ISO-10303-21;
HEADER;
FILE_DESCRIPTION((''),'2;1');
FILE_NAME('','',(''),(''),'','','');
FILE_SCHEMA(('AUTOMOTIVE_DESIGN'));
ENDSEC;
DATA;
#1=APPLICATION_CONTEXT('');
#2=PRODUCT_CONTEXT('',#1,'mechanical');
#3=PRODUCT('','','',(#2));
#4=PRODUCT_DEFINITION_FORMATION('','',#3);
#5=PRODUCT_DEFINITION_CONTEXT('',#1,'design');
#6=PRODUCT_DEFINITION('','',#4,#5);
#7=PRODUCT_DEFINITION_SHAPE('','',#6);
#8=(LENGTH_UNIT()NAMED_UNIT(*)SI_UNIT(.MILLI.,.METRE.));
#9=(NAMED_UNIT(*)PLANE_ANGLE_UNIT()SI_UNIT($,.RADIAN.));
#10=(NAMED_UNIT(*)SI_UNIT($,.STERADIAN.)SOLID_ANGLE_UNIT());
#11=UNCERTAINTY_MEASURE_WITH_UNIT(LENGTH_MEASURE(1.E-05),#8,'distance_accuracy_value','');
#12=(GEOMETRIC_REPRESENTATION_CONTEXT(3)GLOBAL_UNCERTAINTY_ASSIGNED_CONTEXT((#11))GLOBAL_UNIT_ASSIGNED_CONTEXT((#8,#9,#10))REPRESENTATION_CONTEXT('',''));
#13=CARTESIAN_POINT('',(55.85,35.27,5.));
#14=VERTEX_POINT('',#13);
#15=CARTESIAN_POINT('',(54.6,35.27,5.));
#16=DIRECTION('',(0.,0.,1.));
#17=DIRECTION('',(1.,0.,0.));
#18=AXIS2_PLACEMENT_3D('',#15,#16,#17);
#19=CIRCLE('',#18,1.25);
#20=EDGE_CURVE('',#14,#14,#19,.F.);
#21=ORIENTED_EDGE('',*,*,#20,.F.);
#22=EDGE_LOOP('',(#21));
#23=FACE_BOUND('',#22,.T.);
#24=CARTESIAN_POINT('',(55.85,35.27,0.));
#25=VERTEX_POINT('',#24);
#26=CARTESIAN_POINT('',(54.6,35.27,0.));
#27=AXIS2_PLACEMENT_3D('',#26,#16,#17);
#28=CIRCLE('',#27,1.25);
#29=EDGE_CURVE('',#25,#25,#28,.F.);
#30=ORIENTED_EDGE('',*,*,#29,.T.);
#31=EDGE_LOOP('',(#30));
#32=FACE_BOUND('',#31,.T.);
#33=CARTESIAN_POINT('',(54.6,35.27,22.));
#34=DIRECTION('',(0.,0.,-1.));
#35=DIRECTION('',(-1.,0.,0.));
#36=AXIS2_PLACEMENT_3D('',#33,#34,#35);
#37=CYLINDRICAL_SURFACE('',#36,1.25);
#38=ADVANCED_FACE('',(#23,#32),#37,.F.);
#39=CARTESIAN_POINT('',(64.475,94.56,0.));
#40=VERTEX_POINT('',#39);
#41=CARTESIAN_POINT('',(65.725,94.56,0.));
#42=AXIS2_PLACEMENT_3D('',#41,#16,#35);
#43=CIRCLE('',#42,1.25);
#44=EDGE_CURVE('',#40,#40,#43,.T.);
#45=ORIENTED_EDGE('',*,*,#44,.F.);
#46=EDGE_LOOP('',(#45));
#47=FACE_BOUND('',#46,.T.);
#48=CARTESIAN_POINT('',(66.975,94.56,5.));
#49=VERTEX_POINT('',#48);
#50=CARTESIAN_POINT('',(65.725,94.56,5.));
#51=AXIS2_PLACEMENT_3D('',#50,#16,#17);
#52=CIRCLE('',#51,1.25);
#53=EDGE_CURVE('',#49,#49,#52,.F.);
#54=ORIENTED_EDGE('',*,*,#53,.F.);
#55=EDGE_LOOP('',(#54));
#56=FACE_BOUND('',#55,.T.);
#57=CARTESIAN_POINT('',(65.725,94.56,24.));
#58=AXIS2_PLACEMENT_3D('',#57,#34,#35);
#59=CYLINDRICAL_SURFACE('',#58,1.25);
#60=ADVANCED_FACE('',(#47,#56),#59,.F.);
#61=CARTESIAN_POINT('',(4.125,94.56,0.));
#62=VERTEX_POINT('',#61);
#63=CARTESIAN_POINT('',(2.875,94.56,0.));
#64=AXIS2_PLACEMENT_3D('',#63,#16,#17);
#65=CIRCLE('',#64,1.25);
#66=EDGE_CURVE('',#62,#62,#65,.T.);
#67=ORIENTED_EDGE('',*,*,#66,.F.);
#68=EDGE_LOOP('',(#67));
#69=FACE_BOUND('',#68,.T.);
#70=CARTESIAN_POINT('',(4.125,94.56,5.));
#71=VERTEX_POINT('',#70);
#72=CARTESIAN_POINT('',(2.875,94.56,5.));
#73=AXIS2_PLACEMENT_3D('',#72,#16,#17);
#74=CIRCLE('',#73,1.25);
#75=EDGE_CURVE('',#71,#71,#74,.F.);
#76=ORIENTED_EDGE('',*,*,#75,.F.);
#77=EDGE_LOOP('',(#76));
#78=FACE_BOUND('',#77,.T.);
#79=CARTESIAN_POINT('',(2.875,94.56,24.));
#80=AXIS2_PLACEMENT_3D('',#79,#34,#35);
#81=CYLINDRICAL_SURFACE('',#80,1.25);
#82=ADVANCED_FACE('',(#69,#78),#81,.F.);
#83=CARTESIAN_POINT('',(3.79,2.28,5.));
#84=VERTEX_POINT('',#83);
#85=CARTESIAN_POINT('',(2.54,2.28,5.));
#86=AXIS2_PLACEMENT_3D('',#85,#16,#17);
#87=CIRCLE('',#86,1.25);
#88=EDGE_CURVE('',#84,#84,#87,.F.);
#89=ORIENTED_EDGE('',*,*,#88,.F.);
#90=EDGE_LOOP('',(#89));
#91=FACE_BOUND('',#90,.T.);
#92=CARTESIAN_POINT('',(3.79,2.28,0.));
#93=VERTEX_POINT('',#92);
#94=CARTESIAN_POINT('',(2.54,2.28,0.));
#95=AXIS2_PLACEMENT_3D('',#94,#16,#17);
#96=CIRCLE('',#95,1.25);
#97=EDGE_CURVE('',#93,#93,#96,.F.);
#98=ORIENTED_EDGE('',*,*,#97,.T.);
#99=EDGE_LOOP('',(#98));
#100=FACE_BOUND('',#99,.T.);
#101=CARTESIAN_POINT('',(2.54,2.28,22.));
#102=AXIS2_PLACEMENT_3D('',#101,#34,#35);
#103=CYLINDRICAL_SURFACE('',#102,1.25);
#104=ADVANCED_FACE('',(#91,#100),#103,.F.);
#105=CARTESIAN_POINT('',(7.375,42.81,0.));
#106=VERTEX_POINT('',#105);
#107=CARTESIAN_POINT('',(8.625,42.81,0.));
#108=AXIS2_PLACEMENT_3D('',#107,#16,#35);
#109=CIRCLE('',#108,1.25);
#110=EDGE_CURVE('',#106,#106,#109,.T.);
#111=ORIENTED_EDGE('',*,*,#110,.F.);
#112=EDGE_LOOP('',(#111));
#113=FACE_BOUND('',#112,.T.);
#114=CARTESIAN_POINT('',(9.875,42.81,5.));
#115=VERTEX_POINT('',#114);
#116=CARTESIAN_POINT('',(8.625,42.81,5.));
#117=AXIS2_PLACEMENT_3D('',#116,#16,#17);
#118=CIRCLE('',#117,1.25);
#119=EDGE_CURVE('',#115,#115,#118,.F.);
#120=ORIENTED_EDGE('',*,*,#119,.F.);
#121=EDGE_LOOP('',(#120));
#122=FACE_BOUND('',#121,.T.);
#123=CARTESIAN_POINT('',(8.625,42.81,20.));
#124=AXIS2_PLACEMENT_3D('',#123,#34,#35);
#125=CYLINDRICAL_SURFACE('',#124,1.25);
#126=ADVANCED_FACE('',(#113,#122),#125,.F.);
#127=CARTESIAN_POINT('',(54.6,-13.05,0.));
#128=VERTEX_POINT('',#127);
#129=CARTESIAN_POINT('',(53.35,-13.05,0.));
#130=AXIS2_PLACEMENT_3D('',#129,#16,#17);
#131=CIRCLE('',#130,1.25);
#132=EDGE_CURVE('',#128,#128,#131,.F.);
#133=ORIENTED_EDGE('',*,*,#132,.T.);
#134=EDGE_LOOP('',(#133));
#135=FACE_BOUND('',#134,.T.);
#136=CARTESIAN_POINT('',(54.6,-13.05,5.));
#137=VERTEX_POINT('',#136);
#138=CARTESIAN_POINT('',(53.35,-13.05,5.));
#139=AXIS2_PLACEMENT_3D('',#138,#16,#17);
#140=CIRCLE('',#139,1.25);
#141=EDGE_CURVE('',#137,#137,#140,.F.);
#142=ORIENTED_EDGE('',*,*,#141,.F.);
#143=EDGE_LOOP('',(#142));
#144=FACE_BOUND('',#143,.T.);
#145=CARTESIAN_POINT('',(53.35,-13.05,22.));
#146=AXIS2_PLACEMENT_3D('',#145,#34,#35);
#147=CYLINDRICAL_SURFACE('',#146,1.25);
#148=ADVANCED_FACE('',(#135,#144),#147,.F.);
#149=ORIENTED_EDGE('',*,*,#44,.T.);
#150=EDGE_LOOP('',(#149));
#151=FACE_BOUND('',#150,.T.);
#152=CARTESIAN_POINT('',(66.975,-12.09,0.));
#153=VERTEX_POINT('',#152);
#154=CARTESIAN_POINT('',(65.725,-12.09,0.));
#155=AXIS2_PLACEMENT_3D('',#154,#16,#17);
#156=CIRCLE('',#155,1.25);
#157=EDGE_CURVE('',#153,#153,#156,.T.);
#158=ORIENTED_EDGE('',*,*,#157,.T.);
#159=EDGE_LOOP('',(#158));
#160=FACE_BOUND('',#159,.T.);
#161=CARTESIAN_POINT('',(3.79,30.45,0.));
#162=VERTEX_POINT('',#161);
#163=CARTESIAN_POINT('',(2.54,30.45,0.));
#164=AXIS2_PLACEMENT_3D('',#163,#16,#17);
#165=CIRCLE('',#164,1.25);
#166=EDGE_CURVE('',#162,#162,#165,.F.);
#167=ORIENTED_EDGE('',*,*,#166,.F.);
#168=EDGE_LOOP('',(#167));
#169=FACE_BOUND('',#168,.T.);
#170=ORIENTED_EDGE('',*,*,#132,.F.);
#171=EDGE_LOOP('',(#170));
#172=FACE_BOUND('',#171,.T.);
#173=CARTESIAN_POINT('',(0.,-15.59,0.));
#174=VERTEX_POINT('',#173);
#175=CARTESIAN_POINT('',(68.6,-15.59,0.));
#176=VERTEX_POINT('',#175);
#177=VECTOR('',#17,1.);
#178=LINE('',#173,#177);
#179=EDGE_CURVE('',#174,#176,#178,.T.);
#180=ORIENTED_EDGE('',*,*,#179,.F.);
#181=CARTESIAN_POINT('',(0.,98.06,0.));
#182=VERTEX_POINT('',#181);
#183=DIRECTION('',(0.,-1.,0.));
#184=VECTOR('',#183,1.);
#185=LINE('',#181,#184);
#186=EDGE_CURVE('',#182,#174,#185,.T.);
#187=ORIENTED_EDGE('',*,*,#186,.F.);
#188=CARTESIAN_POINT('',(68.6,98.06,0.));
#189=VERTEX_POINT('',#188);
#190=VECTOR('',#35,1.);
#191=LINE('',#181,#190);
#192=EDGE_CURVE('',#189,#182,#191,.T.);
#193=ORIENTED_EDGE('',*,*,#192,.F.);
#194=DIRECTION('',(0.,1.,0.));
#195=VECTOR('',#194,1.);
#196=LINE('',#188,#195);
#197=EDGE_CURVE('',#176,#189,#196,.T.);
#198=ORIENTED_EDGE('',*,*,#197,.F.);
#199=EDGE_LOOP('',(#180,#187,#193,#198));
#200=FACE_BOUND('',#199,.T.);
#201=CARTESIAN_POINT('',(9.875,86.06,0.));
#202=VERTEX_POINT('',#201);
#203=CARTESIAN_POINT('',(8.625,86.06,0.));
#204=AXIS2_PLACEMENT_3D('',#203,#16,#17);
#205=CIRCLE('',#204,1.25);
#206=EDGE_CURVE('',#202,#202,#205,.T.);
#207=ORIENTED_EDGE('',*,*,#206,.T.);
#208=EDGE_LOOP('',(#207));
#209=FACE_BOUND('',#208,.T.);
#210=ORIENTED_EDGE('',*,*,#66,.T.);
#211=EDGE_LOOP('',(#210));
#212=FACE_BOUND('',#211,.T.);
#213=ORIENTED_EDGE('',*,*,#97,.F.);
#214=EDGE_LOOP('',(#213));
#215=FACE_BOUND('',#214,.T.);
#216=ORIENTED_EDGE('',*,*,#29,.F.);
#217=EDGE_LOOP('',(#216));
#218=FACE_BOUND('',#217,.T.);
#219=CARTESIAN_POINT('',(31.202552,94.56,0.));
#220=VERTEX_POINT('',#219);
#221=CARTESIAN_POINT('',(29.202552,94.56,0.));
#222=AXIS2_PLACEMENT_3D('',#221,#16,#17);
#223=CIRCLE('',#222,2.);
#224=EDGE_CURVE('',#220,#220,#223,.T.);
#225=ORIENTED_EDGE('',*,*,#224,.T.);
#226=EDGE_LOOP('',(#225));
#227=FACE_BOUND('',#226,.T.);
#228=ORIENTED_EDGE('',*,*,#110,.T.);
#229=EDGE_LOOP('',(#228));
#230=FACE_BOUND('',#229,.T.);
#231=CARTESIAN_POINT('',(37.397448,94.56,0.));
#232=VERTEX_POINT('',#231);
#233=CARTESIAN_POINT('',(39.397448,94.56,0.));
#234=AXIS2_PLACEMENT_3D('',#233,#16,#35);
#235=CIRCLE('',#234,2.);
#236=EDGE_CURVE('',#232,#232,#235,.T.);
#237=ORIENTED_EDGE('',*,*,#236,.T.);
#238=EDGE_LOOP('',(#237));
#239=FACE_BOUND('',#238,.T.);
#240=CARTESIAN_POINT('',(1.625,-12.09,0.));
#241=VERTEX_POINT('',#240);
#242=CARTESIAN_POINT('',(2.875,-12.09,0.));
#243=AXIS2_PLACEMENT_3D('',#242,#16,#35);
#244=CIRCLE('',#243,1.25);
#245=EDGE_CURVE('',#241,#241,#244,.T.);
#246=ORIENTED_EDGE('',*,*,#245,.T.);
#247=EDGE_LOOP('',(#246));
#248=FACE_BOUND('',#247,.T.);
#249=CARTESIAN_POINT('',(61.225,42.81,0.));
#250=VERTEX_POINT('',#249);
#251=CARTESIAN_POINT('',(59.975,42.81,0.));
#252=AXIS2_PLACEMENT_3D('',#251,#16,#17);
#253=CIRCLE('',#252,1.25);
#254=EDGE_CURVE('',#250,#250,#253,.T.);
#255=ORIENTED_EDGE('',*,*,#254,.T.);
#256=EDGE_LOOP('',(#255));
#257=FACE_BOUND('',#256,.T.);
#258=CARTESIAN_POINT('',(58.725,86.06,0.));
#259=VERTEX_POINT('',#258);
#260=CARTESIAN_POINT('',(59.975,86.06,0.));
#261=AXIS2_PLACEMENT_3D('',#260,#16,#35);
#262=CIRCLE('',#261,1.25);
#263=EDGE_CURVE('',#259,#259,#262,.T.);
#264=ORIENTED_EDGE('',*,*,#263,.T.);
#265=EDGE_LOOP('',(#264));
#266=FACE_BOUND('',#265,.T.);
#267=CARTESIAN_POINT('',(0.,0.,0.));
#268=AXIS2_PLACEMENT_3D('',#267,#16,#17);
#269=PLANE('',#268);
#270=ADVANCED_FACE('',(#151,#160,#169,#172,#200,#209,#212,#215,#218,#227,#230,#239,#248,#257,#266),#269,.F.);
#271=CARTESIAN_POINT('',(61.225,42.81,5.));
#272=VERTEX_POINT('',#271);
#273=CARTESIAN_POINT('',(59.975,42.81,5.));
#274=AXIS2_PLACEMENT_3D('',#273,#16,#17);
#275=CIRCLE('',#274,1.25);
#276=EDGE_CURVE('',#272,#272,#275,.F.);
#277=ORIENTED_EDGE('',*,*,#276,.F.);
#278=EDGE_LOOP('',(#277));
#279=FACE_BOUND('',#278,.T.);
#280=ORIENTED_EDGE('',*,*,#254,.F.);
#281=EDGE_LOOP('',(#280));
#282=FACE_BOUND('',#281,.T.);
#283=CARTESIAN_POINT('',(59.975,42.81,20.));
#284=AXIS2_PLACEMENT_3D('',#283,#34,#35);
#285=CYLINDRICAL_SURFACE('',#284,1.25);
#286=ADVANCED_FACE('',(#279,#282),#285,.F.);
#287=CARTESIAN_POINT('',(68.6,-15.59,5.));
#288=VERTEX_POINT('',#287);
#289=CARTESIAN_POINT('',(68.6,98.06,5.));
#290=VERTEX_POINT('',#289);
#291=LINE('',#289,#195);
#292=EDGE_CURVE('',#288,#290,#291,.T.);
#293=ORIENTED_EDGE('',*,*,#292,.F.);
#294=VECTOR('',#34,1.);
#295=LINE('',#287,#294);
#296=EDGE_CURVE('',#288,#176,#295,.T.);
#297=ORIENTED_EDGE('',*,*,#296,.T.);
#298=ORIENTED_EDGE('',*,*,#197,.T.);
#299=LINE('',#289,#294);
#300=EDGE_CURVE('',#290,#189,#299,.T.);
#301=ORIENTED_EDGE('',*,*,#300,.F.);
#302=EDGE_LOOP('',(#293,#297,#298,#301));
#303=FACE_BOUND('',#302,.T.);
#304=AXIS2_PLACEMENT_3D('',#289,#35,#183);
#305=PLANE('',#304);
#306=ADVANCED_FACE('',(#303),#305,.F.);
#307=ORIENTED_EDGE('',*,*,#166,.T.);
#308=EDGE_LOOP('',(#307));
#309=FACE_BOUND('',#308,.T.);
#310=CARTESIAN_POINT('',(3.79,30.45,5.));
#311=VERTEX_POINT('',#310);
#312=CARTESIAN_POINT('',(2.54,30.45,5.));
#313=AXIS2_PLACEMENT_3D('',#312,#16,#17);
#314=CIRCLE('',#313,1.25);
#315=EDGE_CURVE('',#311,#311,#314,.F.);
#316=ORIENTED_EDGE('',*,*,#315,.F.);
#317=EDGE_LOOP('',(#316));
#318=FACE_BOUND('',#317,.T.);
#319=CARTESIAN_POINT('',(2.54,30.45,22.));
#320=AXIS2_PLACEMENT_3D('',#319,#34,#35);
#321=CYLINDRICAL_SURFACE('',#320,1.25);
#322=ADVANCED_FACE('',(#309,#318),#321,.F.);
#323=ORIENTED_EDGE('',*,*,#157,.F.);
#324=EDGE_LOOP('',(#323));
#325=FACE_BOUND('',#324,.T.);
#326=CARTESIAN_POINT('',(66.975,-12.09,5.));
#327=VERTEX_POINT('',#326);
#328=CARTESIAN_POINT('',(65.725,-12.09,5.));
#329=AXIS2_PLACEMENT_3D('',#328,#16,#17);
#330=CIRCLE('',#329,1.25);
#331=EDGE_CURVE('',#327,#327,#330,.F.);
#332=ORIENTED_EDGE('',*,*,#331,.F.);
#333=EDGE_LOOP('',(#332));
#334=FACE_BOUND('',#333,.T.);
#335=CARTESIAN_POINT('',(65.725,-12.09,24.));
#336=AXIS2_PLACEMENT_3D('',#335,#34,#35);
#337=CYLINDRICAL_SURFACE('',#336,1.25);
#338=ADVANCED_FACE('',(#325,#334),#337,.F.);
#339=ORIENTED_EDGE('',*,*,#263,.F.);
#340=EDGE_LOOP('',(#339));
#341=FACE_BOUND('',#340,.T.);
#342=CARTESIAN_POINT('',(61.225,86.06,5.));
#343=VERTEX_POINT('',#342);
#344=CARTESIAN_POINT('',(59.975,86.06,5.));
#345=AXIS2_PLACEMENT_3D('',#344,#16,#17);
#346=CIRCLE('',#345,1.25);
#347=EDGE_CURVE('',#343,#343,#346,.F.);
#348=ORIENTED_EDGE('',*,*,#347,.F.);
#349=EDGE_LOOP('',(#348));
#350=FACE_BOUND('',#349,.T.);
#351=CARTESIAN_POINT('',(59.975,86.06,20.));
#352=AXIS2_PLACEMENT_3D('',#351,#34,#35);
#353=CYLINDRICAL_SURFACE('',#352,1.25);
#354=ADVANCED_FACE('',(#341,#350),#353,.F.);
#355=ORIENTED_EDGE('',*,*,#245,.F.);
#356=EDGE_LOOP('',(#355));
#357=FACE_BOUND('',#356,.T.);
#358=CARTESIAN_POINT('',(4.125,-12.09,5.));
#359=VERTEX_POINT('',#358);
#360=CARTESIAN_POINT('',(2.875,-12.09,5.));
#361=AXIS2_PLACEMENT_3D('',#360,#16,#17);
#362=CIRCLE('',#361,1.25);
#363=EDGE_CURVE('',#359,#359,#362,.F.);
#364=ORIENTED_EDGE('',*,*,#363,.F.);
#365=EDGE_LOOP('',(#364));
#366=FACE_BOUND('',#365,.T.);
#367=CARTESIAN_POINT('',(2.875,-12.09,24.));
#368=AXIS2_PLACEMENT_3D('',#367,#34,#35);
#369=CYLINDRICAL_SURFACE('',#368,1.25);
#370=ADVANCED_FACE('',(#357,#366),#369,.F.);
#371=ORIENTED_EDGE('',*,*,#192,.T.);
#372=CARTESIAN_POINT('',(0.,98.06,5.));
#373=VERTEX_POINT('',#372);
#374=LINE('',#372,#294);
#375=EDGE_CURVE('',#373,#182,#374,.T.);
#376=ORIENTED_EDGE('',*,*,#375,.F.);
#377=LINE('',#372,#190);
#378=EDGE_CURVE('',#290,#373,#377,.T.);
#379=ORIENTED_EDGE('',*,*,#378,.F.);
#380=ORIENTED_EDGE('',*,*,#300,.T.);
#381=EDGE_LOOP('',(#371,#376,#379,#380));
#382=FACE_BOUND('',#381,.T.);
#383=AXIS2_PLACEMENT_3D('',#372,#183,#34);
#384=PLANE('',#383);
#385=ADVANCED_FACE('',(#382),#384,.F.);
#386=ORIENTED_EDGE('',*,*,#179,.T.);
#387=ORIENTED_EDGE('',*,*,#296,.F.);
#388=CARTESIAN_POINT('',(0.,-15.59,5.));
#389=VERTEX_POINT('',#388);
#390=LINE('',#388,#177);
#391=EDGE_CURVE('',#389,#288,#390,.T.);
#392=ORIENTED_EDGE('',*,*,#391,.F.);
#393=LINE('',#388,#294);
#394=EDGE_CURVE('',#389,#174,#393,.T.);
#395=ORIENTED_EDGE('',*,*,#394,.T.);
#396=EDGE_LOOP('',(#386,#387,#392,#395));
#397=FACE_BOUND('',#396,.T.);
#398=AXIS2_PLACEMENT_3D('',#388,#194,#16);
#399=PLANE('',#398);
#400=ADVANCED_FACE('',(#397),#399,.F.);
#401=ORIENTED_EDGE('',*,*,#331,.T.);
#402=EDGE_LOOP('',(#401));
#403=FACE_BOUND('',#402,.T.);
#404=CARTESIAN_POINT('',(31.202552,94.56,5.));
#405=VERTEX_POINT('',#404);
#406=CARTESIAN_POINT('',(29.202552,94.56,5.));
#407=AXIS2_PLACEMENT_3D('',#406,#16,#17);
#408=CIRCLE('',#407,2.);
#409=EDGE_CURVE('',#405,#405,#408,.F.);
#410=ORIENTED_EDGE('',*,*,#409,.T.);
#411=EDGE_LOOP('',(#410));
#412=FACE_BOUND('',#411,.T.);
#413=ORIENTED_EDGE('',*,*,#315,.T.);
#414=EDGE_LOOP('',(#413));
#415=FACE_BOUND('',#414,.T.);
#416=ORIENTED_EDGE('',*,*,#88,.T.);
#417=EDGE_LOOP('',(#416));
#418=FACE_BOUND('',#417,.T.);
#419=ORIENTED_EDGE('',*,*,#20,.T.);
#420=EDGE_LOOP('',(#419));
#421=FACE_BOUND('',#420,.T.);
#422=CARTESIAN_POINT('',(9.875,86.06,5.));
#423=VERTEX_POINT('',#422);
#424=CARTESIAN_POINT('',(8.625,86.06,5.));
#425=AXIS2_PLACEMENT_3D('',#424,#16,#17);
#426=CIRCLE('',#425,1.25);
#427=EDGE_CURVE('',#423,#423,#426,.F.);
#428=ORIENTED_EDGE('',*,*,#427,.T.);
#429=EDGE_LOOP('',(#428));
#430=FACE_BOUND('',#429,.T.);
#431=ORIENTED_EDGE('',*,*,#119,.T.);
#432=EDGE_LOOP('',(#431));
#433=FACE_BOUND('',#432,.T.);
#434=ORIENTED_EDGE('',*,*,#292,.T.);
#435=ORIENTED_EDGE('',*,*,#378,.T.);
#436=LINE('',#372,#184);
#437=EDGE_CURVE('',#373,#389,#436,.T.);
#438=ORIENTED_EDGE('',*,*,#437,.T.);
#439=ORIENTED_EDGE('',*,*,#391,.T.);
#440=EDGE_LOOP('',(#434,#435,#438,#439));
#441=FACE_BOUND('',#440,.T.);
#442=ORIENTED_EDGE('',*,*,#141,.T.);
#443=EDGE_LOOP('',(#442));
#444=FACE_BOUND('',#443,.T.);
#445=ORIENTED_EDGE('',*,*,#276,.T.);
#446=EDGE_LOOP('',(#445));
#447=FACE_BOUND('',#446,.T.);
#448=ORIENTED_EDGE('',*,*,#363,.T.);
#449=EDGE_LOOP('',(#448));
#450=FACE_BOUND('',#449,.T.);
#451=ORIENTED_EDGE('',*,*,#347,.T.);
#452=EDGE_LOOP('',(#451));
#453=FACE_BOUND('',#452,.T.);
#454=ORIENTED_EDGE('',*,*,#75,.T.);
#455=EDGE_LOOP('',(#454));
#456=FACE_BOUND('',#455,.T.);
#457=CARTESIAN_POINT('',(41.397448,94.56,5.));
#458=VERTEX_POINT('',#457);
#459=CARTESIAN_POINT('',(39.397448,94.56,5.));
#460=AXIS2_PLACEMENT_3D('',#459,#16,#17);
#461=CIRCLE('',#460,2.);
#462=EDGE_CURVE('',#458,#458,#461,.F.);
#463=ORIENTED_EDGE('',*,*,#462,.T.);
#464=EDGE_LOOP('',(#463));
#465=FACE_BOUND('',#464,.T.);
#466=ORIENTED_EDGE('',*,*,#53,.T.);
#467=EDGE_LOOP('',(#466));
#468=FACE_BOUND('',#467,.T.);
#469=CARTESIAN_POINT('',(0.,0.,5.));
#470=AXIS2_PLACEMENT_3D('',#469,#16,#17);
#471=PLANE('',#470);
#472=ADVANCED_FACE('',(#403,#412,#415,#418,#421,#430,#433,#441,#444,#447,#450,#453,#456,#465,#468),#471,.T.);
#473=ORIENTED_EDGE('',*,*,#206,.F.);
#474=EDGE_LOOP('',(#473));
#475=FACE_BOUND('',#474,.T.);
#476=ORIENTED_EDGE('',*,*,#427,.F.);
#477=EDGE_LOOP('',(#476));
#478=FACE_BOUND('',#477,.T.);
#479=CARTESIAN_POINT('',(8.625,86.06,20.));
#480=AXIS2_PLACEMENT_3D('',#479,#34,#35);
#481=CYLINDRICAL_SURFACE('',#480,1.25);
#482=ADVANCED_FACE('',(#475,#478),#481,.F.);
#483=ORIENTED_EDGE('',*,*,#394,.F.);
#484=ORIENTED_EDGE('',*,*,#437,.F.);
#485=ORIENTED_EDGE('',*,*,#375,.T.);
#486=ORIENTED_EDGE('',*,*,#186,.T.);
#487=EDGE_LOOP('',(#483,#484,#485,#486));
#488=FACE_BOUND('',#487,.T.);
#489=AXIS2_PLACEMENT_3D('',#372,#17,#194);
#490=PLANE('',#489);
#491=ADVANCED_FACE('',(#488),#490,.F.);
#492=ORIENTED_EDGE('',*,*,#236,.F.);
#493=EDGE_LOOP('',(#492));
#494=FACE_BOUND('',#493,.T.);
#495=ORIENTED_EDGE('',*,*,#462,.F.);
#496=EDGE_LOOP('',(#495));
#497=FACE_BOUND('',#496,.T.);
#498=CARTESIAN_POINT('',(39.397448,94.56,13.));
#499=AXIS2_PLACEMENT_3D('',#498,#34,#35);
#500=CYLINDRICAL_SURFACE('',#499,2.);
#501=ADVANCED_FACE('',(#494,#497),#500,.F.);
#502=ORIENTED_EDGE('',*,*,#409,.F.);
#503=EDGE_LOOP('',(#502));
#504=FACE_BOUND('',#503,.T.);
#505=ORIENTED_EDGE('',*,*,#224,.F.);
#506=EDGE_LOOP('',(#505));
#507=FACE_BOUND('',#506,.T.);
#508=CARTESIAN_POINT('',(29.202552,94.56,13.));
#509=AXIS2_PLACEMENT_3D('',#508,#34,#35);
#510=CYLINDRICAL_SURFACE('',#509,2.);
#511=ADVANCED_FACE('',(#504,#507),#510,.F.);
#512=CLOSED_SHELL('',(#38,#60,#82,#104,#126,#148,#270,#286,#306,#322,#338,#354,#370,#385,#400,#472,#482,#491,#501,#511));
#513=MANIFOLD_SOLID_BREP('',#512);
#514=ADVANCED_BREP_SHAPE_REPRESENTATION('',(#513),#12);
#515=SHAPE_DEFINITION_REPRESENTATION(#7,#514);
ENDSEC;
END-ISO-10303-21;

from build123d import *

# Parameters (mm, degrees)
SKETCH1_W                        = 68.600000001
SKETCH1_H                        = 113.65
BRACKETBASE_DEPTH                = 5
ARDUINOMOUNTINGHOLES_DEPTH       = 22
ARDUINOMOUNTINGHOLES_DEPTH_BACK  = 120.777809299
ARDUINOMOUNTINGHOLESSKETCH_R     = 1.25
F_9VBATTERYMOUNTINGHOLESSKETCH_R = 1.25
F_9VBATTERYMOUNTINGHOLES_DEPTH   = 20
LEGBRACKETMOUNTINGHOLESSKETCH_R  = 2
LEGBRACKETMOUNTINGHOLES_DEPTH    = 13
BACKSIDEMOUNTINGHOLESSKETCH_R    = 1.25
BACKSIDEMOUNTINGHOLES_DEPTH      = 24


with BuildPart() as part:
    # Sketch1 → bracketBase (new body)
    with BuildSketch(Plane.XY):
        with Locations((34.3, 41.235000001)):
            Rectangle(SKETCH1_W, SKETCH1_H)
    extrude(amount=BRACKETBASE_DEPTH)

    # arduinoMountingHolesSketch → arduinoMountingHoles (cut, two sides: drawn at the far end of the back side and taken through both)
    with BuildSketch(Plane.XY.offset(-ARDUINOMOUNTINGHOLES_DEPTH_BACK)):
        with Locations((2.54, 2.280000001)):
            Circle(ARDUINOMOUNTINGHOLESSKETCH_R)
        with Locations((2.54, 30.450000001)):
            Circle(ARDUINOMOUNTINGHOLESSKETCH_R)
        with Locations((54.600000001, 35.270000001)):
            Circle(ARDUINOMOUNTINGHOLESSKETCH_R)
        with Locations((53.350000001, -13.049999999)):
            Circle(ARDUINOMOUNTINGHOLESSKETCH_R)
    extrude(amount=ARDUINOMOUNTINGHOLES_DEPTH + ARDUINOMOUNTINGHOLES_DEPTH_BACK, mode=Mode.SUBTRACT)

    # 9VbatteryMountingHolesSketch → 9VbatteryMountingHoles (cut)
    with BuildSketch(Plane.XY):
        with Locations((8.625000001, 86.060000001)):
            Circle(F_9VBATTERYMOUNTINGHOLESSKETCH_R)
        with Locations(Location((59.975000001, 86.060000001, 0), (0, 0, 180))):
            Circle(F_9VBATTERYMOUNTINGHOLESSKETCH_R)
        with Locations(Location((8.625000001, 42.810000001, 0), (0, 0, 180))):
            Circle(F_9VBATTERYMOUNTINGHOLESSKETCH_R)
        with Locations((59.975000001, 42.810000001)):
            Circle(F_9VBATTERYMOUNTINGHOLESSKETCH_R)
    extrude(amount=F_9VBATTERYMOUNTINGHOLES_DEPTH, mode=Mode.SUBTRACT)

    # legBracketMountingHolesSketch → legBracketMountingHoles (cut)
    with BuildSketch(Plane.XY):
        with Locations((29.202551646, 94.560000001)):
            Circle(LEGBRACKETMOUNTINGHOLESSKETCH_R)
        with Locations(Location((39.397448356, 94.560000001, 0), (0, 0, 180))):
            Circle(LEGBRACKETMOUNTINGHOLESSKETCH_R)
    extrude(amount=LEGBRACKETMOUNTINGHOLES_DEPTH, mode=Mode.SUBTRACT)

    # backsideMountingHolesSketch → backsideMountingHoles (cut)
    with BuildSketch(Plane.XY):
        with Locations((2.875000001, 94.560000001)):
            Circle(BACKSIDEMOUNTINGHOLESSKETCH_R)
        with Locations(Location((65.725000001, 94.560000001, 0), (0, 0, 180))):
            Circle(BACKSIDEMOUNTINGHOLESSKETCH_R)
        with Locations((65.725000001, -12.089999999)):
            Circle(BACKSIDEMOUNTINGHOLESSKETCH_R)
        with Locations(Location((2.875000001, -12.089999999, 0), (0, 0, 180))):
            Circle(BACKSIDEMOUNTINGHOLESSKETCH_R)
    extrude(amount=BACKSIDEMOUNTINGHOLES_DEPTH, mode=Mode.SUBTRACT)


solid = part.part
